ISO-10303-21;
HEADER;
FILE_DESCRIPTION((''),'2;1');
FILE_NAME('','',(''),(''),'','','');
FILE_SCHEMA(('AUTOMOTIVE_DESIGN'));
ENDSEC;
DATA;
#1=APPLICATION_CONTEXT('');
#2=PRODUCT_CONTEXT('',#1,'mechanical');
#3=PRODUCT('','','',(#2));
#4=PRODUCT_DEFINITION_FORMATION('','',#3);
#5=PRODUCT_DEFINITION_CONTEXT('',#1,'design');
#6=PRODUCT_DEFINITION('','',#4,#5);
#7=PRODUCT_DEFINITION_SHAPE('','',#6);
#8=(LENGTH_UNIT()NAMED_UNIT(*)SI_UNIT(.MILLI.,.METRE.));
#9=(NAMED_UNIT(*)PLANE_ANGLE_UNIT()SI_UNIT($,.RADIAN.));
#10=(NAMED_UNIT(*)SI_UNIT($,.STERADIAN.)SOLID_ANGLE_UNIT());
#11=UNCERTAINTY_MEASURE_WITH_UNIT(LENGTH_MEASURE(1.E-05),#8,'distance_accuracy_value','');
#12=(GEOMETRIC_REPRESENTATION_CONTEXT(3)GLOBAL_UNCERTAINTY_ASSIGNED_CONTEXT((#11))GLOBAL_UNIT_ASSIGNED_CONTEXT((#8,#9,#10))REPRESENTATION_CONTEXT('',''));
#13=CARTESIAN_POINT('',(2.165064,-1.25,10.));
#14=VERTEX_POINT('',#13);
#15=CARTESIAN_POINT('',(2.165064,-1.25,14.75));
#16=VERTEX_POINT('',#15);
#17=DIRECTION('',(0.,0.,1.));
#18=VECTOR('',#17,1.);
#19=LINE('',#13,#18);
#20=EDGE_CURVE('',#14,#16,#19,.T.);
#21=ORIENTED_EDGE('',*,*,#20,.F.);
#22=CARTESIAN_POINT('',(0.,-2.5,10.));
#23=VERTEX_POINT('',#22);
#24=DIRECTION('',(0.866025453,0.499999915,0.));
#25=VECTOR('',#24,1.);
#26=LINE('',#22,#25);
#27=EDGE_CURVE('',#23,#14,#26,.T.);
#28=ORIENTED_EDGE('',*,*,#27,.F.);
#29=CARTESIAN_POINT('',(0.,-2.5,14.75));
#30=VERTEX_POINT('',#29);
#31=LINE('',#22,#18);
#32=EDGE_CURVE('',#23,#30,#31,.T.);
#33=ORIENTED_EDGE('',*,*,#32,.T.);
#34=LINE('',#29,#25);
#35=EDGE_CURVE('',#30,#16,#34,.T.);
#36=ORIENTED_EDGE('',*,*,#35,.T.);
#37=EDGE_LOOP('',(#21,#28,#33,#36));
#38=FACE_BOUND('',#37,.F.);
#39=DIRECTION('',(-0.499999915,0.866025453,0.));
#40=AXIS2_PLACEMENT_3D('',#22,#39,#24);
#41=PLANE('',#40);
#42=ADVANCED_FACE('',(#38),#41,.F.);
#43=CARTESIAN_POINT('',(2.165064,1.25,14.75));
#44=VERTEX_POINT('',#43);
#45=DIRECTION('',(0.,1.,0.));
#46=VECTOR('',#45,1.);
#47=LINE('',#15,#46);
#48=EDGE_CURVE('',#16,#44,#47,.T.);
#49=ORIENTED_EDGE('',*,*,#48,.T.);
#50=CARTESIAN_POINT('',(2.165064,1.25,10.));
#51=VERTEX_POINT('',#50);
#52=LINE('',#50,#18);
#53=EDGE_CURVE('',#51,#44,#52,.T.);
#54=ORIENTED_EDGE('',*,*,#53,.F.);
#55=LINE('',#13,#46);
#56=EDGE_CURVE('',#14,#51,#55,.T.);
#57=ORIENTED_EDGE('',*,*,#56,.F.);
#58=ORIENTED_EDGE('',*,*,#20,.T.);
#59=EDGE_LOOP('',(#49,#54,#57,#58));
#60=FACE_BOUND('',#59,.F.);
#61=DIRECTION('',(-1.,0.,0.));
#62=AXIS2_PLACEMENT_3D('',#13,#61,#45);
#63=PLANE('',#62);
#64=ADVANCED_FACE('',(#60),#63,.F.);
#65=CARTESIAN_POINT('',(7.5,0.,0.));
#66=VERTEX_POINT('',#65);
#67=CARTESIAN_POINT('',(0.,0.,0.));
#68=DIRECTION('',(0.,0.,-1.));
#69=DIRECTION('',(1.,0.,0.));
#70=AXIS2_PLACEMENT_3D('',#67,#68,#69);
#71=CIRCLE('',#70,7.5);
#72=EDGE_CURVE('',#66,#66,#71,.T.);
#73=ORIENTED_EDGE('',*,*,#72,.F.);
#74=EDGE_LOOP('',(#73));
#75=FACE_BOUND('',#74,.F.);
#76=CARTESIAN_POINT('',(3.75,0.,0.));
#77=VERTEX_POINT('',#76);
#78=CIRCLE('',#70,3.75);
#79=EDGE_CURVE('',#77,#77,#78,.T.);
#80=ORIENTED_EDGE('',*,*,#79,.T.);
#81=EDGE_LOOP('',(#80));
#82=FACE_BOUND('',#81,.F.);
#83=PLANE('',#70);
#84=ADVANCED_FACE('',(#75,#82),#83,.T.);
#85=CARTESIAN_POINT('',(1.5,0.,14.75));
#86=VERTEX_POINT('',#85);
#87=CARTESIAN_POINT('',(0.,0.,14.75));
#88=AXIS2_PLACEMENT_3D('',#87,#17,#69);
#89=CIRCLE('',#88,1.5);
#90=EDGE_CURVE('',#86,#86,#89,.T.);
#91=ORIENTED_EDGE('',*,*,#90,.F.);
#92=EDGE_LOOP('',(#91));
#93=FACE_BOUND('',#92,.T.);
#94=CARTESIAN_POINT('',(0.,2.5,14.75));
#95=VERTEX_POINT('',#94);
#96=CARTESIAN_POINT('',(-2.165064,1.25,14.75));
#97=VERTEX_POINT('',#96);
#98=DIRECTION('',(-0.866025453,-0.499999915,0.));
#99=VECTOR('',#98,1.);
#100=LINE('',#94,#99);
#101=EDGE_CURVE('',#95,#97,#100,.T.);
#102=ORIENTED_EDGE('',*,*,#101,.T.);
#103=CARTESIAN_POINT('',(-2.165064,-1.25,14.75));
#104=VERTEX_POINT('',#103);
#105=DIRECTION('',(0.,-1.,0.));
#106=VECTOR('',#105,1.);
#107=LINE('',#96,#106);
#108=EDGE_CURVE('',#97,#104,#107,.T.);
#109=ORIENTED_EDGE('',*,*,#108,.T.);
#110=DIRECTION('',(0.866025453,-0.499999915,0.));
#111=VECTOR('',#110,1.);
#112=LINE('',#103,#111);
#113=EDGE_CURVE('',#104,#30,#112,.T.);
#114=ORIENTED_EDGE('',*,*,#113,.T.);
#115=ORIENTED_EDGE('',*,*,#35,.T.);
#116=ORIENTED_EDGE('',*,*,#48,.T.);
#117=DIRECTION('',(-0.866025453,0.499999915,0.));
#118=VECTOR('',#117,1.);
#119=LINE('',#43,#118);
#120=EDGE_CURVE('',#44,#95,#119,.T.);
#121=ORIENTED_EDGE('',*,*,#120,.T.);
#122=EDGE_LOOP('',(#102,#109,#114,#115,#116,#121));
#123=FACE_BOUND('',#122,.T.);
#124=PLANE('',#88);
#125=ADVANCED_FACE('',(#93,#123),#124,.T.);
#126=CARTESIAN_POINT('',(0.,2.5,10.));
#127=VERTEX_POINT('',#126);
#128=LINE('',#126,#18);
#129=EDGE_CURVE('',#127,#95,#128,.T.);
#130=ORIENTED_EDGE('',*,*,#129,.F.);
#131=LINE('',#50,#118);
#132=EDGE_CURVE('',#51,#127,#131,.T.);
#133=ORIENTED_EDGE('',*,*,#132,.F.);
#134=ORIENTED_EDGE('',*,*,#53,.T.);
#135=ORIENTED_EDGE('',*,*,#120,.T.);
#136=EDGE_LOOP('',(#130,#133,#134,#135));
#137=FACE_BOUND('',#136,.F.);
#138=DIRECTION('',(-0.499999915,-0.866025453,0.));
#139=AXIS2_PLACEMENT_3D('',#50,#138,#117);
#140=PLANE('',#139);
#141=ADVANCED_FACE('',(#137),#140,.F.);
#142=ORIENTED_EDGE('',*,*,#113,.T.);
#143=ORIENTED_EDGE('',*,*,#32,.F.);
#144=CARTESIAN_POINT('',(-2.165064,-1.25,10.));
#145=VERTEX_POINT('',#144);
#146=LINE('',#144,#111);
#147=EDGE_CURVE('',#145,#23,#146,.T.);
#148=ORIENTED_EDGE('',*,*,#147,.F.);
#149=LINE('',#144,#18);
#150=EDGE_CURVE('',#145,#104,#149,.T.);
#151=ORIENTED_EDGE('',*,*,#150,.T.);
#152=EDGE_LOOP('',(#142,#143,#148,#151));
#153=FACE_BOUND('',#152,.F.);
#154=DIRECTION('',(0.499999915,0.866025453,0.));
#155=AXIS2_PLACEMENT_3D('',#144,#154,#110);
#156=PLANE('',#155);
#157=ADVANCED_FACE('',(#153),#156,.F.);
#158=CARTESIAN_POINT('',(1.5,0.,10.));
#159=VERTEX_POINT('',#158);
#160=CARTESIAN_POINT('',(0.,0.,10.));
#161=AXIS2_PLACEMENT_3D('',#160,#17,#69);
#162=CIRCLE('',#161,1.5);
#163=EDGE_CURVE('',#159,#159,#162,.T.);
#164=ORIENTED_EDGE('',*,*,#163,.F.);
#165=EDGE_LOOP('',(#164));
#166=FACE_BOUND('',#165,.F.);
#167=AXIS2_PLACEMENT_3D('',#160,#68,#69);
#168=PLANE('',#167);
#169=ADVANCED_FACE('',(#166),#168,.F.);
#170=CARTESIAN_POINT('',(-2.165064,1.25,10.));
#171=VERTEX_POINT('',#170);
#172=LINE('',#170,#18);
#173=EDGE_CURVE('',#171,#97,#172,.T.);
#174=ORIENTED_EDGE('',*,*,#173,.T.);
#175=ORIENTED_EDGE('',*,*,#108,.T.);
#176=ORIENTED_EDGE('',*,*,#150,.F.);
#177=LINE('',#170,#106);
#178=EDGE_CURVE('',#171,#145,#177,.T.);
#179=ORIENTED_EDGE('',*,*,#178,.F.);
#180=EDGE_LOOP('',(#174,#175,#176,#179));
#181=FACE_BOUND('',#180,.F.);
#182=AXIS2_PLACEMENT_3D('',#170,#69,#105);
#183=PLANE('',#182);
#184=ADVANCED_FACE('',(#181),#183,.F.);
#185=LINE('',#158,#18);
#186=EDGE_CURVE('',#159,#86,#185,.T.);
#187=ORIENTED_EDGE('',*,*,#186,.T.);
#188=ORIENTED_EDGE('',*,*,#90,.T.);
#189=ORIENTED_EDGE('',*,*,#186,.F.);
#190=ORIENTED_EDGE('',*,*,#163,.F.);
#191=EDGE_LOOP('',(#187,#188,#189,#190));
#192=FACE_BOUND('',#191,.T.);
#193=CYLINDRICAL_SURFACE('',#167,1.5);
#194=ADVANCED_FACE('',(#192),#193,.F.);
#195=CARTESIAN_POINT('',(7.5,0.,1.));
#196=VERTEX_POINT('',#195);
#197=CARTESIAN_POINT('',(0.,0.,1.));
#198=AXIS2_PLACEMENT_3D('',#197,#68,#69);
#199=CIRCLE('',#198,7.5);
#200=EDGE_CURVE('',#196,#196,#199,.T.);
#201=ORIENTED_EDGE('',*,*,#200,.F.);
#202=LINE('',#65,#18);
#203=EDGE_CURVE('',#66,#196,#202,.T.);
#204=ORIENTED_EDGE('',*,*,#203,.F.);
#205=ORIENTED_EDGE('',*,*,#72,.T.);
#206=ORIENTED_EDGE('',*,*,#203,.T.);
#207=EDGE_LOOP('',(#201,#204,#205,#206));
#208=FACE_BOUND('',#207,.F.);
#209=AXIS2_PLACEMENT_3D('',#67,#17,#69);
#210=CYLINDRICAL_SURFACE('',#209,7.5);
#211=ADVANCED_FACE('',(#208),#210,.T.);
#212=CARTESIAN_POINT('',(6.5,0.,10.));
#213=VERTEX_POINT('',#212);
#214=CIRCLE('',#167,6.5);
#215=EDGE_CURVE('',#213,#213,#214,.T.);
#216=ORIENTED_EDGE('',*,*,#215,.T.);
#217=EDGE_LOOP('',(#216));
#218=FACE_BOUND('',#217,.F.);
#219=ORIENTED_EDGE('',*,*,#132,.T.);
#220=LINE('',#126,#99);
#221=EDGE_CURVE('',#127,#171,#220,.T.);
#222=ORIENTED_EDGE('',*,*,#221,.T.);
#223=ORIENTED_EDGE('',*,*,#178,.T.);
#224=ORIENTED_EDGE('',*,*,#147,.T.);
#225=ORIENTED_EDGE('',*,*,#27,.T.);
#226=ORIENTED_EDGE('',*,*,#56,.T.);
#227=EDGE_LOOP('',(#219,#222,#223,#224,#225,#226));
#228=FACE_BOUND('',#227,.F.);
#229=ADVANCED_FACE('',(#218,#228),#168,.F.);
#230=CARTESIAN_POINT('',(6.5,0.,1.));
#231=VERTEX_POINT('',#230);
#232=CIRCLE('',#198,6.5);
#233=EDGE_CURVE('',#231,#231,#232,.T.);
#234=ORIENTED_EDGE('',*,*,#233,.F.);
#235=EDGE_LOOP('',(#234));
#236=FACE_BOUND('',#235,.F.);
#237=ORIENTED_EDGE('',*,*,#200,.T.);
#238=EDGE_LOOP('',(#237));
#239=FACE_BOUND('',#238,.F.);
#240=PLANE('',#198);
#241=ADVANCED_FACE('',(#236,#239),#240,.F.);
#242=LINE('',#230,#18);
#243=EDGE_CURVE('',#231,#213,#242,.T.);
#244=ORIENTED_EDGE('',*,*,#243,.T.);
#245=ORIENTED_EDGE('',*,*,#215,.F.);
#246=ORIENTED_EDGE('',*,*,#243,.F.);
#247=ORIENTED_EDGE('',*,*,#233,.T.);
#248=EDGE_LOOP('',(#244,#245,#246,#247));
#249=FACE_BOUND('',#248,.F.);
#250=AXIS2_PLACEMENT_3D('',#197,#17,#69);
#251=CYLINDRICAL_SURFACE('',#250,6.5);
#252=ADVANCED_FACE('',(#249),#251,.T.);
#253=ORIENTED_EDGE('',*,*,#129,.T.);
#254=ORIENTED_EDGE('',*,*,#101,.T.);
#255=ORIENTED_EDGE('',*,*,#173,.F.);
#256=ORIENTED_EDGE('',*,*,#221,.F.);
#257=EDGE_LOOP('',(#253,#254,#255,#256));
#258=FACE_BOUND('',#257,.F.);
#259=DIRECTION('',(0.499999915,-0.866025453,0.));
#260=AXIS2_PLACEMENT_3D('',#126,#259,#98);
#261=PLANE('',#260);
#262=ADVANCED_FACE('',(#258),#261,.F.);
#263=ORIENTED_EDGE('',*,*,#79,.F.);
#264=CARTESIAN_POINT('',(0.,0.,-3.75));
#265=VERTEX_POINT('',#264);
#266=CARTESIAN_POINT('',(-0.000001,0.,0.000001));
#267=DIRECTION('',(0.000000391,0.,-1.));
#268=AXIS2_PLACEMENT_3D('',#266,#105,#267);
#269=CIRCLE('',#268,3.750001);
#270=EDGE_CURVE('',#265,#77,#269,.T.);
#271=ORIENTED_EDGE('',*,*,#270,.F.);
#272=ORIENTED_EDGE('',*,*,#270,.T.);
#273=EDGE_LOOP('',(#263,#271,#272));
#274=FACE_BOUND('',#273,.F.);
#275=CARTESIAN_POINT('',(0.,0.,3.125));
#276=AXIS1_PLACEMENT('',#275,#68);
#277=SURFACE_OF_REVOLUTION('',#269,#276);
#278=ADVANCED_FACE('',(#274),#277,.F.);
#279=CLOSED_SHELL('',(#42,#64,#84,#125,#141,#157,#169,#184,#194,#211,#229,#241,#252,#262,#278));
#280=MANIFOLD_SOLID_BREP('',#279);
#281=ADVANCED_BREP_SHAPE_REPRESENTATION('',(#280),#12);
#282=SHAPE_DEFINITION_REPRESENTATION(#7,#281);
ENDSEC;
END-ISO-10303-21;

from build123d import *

# Parameters (mm, degrees)
F2_R     = 1.5
F3_DEPTH = 4.75


with BuildPart() as f1:
    # F0 (on Front) → F1 (revolve)
    with BuildSketch(Plane.XZ):
        with BuildLine():
            Line((0, 0), (0, -3.75))
            ThreePointArc((0, -3.75), (2.65165, -2.65165), (3.75, 0))
            Line((3.75, 0), (0, 0))
        make_face()
        with BuildLine():
            Line((0, 0), (3.75, 0))
            ThreePointArc((3.75, 0), (2.65165, 2.65165), (0, 3.75))
            Line((0, 3.75), (0, 0))
        make_face()
        with BuildLine():
            ThreePointArc((0, 3.75), (2.65165, 2.65165), (3.75, 0))
            Line((3.75, 0), (7.5, 0))
            Line((7.5, 0), (7.5, 1))
            Line((7.5, 1), (6.5, 1))
            Line((6.5, 1), (6.5, 10))
            Line((6.5, 10), (0, 10))
            Line((0, 10), (0, 3.75))
        make_face()
    revolve(axis=Axis((0, 0, 3.125), (0, 0, -1)))

    # F2 (on face) → F3 (join)
    with BuildSketch(Plane.XY.offset(10)):
        Polygon((2.165064, 1.25), (0, 2.5), (-2.165064, 1.25), (-2.165064, -1.25), (0, -2.5), (2.165064, -1.25), align=None)
        Circle(F2_R, mode=Mode.SUBTRACT)
    extrude(amount=F3_DEPTH)


solid = f1.part
